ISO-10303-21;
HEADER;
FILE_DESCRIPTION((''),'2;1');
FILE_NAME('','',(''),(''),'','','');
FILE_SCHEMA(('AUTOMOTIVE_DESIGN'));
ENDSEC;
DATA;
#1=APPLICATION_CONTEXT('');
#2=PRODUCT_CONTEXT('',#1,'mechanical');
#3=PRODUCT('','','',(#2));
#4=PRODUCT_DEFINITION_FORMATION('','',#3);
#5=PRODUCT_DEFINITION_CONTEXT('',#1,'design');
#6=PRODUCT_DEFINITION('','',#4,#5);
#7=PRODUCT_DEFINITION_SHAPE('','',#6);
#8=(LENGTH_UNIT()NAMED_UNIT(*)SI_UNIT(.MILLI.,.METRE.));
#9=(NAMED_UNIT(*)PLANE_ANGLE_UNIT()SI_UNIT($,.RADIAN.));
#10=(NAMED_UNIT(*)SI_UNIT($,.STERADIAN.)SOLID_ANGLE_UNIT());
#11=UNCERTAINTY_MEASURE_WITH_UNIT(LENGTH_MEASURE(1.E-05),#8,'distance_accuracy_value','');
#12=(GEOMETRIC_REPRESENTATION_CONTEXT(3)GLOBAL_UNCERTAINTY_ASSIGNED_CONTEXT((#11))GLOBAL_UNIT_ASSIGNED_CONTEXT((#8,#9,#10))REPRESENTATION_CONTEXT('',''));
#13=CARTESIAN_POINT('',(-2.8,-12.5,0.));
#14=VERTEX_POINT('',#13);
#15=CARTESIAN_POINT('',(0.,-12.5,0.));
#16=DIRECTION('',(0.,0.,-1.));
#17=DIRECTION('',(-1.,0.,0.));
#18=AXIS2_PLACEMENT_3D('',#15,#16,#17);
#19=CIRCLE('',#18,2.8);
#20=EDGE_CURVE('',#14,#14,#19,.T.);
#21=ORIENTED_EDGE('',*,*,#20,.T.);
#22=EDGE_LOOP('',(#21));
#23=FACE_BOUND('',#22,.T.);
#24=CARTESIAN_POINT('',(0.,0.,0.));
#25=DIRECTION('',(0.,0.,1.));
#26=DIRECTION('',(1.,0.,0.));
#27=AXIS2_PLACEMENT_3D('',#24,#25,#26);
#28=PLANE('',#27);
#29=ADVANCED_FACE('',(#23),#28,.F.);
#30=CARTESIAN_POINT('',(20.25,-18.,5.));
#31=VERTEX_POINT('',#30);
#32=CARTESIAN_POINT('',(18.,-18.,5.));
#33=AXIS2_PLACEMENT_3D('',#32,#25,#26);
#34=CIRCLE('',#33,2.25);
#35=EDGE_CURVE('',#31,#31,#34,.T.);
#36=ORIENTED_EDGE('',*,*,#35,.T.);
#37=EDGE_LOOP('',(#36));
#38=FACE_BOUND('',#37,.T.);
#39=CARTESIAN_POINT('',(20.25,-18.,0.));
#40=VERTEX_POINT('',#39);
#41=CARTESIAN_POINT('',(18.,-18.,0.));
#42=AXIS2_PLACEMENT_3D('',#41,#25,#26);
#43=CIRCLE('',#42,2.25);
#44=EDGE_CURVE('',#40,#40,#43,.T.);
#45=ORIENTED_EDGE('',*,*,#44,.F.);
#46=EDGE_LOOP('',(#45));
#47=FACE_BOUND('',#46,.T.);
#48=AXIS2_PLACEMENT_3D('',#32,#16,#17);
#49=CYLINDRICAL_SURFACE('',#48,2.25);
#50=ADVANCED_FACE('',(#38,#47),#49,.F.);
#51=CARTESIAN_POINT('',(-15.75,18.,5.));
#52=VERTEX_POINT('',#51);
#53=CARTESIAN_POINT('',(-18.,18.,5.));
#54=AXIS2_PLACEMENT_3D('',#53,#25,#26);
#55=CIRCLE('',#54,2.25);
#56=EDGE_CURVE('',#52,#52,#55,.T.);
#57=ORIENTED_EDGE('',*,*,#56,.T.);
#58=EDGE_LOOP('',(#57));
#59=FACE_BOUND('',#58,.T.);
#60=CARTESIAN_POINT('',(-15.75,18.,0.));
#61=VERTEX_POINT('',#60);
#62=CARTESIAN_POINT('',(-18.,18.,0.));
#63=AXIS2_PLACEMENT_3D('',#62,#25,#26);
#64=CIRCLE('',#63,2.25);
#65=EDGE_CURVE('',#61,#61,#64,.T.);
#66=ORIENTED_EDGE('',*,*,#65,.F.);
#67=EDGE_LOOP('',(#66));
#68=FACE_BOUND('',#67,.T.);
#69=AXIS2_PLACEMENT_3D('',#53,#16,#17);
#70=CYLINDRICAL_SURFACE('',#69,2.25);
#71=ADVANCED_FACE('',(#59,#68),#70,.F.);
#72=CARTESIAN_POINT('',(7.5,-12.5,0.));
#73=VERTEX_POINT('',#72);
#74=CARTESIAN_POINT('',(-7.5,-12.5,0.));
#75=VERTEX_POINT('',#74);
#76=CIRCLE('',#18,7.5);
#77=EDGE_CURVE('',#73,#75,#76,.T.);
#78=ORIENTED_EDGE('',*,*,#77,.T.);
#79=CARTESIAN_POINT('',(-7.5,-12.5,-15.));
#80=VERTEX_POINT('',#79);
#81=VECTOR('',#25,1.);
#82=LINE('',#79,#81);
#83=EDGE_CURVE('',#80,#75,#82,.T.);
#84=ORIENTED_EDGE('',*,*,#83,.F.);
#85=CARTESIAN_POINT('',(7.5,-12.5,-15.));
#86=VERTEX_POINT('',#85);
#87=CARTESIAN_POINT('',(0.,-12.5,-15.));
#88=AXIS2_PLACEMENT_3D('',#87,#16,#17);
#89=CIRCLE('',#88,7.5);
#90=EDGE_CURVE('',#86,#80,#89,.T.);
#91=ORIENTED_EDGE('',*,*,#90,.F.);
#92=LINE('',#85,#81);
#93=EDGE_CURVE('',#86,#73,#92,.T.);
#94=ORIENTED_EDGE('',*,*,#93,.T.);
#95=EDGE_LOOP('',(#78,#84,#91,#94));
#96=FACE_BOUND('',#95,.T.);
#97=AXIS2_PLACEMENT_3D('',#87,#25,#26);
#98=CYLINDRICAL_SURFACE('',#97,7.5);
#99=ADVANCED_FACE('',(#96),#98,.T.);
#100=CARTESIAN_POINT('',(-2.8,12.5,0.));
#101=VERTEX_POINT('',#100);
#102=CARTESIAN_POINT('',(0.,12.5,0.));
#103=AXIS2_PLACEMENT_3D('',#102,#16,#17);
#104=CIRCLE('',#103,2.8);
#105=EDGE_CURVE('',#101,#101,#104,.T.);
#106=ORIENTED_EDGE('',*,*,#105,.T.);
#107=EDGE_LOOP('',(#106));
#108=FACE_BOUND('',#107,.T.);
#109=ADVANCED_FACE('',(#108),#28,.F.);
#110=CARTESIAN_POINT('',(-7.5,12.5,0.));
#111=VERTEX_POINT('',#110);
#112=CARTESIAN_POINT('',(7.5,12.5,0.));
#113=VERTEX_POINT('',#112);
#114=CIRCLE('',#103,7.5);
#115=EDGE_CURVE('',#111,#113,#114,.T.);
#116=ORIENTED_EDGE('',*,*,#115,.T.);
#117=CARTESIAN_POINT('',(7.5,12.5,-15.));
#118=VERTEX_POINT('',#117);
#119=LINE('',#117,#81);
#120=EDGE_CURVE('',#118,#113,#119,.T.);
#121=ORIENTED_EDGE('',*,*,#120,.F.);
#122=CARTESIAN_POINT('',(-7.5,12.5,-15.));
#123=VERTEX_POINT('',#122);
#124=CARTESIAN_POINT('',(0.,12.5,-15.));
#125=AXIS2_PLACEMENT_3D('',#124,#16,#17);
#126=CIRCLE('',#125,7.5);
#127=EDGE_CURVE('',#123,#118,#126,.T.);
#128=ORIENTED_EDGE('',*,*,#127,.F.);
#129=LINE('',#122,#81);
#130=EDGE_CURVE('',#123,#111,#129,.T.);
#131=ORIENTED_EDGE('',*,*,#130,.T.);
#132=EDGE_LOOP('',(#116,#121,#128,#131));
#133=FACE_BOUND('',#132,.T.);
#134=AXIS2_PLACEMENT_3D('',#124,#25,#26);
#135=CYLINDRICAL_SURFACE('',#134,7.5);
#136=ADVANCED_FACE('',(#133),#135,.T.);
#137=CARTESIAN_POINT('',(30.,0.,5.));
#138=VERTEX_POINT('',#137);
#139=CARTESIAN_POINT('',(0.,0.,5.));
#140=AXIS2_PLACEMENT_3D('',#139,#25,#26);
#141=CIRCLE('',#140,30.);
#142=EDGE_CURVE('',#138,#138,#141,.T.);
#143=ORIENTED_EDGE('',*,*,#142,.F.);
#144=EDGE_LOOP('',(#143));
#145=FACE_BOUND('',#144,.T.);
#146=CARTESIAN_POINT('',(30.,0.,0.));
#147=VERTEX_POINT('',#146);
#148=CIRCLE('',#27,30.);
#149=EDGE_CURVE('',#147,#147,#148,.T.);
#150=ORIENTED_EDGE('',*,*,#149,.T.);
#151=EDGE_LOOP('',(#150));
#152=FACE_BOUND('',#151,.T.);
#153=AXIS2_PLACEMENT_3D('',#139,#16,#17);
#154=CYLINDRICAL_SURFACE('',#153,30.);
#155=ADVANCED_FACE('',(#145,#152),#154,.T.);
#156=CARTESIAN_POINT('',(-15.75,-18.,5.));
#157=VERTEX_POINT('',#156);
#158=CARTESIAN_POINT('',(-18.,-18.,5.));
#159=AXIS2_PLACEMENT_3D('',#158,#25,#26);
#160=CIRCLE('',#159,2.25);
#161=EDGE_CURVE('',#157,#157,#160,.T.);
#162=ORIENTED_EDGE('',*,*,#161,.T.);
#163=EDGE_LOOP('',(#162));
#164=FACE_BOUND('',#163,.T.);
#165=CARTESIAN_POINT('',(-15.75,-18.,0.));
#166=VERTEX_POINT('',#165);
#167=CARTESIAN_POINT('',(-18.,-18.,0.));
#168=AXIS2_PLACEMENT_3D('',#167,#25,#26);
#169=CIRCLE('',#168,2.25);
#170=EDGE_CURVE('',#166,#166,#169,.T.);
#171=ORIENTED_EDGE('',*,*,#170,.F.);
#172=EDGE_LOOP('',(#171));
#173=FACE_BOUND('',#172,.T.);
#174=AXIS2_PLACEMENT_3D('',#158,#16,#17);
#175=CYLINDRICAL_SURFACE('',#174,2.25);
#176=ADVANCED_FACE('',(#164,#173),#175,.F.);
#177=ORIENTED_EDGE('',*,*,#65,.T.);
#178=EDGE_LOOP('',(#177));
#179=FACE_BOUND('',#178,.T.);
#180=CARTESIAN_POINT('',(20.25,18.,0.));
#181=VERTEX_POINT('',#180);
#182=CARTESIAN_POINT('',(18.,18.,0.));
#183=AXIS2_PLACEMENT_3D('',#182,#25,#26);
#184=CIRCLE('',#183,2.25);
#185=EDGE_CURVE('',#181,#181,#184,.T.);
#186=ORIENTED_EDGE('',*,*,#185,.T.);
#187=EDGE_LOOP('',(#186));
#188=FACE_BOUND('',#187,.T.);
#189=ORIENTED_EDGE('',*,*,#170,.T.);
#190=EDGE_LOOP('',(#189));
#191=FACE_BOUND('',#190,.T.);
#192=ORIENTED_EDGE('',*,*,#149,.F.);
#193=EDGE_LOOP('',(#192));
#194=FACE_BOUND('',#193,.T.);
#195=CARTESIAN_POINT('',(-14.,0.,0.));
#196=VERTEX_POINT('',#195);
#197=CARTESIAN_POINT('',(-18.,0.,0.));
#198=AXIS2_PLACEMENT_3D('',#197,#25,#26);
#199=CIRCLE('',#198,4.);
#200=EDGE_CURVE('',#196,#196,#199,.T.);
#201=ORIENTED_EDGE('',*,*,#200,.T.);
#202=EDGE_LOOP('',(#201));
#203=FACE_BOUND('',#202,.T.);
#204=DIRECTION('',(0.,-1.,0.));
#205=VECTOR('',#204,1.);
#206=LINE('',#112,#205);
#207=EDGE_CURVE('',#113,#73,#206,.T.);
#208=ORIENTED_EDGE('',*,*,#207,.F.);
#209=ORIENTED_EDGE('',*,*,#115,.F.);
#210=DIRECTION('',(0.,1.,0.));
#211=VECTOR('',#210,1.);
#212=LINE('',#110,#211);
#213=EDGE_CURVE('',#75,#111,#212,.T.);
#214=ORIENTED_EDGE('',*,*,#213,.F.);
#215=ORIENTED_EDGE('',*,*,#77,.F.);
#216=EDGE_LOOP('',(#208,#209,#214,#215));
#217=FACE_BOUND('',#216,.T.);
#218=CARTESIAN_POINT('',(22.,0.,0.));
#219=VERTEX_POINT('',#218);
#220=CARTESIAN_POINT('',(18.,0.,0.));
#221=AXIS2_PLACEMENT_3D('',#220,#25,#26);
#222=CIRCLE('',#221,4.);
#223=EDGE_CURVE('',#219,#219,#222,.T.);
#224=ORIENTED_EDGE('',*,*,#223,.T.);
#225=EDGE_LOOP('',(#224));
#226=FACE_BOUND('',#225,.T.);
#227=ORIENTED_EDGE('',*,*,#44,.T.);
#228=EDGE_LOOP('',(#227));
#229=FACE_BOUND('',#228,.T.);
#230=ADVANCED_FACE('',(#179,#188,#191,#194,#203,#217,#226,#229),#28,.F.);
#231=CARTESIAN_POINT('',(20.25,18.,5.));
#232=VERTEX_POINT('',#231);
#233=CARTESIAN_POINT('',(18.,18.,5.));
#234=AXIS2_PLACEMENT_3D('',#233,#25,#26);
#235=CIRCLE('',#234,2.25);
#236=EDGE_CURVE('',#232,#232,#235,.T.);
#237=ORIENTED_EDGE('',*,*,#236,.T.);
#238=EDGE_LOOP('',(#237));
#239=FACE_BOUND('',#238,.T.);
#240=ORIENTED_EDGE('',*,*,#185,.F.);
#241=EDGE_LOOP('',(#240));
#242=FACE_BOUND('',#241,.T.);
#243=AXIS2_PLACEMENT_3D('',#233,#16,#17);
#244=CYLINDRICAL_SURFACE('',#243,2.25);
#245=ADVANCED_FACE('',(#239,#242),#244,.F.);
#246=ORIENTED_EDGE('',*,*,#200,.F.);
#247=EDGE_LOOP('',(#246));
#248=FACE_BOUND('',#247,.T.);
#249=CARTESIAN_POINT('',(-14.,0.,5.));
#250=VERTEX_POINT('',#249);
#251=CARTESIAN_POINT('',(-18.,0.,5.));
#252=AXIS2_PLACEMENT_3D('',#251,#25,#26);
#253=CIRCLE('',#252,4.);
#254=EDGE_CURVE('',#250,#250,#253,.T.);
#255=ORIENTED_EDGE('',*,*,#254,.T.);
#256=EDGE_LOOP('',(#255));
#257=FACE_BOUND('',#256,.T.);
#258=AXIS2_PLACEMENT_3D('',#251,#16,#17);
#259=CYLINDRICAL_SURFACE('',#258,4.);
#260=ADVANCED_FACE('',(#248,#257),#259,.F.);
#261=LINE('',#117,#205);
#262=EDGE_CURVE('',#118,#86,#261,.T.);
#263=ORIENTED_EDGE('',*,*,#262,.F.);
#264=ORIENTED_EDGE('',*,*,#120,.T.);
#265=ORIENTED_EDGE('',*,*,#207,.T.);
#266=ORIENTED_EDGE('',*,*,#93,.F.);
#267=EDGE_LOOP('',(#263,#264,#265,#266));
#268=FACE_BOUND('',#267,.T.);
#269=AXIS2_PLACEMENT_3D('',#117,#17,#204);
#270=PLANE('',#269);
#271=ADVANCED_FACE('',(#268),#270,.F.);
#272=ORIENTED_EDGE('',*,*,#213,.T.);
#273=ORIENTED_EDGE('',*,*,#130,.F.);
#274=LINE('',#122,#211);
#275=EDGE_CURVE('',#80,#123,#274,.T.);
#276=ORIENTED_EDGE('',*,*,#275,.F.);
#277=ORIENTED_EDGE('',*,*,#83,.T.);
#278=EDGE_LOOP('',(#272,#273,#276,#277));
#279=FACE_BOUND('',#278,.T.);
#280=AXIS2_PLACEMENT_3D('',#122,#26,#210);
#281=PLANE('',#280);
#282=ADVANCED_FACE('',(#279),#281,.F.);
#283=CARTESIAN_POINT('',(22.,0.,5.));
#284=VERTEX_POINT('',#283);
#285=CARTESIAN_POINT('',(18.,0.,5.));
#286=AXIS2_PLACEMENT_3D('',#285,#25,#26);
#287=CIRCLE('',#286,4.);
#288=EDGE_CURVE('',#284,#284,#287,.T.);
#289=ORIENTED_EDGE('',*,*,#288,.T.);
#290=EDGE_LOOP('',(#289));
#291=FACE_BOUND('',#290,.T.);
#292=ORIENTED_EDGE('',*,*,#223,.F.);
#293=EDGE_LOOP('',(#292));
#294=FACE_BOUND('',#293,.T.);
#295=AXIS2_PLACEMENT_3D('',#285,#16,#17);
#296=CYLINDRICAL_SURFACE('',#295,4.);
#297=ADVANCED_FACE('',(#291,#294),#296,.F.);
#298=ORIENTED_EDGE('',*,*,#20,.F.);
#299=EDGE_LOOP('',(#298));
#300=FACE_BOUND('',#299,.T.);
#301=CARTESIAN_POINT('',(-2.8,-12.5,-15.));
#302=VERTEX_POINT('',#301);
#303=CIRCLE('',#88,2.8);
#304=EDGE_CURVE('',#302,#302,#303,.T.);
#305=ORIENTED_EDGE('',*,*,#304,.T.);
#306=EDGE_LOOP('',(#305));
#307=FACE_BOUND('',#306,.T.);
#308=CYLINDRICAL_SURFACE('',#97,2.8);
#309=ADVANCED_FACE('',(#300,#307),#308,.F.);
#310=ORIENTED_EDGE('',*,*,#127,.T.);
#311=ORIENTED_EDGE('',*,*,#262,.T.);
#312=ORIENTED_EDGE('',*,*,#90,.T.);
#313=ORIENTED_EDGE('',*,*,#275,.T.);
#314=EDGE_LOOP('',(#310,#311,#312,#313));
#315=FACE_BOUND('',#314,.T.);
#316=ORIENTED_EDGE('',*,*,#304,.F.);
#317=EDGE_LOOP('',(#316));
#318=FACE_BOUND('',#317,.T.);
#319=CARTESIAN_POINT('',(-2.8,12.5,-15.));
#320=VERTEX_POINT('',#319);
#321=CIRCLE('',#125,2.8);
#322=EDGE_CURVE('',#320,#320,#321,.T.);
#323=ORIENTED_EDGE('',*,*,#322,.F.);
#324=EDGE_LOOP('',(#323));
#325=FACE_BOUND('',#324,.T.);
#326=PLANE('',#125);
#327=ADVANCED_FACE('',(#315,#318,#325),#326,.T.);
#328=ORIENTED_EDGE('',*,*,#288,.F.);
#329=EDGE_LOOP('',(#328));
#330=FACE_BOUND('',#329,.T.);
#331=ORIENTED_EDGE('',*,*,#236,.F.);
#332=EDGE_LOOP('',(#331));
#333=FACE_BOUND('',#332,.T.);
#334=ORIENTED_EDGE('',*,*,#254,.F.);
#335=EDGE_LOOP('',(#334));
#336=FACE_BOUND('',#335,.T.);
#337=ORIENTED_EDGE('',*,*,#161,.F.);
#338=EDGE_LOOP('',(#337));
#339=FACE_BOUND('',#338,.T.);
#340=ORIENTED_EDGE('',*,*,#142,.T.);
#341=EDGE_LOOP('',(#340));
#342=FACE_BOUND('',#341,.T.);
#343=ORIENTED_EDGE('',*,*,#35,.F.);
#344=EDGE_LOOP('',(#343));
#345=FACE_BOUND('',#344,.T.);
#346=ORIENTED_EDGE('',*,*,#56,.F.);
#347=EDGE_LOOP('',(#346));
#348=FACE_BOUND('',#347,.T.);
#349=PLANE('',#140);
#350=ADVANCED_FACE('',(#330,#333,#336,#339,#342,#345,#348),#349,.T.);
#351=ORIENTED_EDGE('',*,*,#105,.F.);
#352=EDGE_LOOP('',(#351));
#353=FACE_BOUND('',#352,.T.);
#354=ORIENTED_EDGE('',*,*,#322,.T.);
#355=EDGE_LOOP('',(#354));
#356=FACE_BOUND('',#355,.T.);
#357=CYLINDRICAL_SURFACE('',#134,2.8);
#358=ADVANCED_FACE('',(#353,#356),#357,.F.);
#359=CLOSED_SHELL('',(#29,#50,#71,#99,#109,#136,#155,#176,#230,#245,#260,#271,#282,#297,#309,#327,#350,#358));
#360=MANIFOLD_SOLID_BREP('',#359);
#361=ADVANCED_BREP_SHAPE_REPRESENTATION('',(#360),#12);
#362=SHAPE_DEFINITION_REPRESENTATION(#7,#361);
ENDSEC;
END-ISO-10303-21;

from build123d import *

# Parameters (mm, degrees)
ESQUISSE1_R        = 30
ESQUISSE1_R_2      = 2.25
ESQUISSE1_R_3      = 4
BOSS_EXTRU_1_DEPTH = 5
ESQUISSE2_R        = 2.8
BOSS_EXTRU_2_DEPTH = 15


with BuildPart() as part:
    # Esquisse1 → Boss.-Extru.1 (new body)
    with BuildSketch(Plane.XY):
        Circle(ESQUISSE1_R)
        with Locations((18, 18)):
            Circle(ESQUISSE1_R_2, mode=Mode.SUBTRACT)
        with Locations((-18, 18)):
            Circle(ESQUISSE1_R_2, mode=Mode.SUBTRACT)
        with Locations((-18, -18)):
            Circle(ESQUISSE1_R_2, mode=Mode.SUBTRACT)
        with Locations((18, -18)):
            Circle(ESQUISSE1_R_2, mode=Mode.SUBTRACT)
        with Locations((18, 0)):
            Circle(ESQUISSE1_R_3, mode=Mode.SUBTRACT)
        with Locations((-18, 0)):
            Circle(ESQUISSE1_R_3, mode=Mode.SUBTRACT)
    extrude(amount=BOSS_EXTRU_1_DEPTH)

    # Esquisse2 → Boss.-Extru.2 (add)
    with BuildSketch(Plane(origin=(0, 0, 0), x_dir=(-1, 0, 0), z_dir=(0, 0, -1))):
        with BuildLine():
            Line((7.5, 12.5), (7.5, -12.5))
            ThreePointArc((7.5, -12.5), (0, -20), (-7.5, -12.5))
            Line((-7.5, -12.5), (-7.5, 12.5))
            ThreePointArc((-7.5, 12.5), (0, 20), (7.5, 12.5))
        make_face()
        with Locations((0, 12.5)):
            Circle(ESQUISSE2_R, mode=Mode.SUBTRACT)
        with Locations((0, -12.5)):
            Circle(ESQUISSE2_R, mode=Mode.SUBTRACT)
    extrude(amount=BOSS_EXTRU_2_DEPTH)


solid = part.part
